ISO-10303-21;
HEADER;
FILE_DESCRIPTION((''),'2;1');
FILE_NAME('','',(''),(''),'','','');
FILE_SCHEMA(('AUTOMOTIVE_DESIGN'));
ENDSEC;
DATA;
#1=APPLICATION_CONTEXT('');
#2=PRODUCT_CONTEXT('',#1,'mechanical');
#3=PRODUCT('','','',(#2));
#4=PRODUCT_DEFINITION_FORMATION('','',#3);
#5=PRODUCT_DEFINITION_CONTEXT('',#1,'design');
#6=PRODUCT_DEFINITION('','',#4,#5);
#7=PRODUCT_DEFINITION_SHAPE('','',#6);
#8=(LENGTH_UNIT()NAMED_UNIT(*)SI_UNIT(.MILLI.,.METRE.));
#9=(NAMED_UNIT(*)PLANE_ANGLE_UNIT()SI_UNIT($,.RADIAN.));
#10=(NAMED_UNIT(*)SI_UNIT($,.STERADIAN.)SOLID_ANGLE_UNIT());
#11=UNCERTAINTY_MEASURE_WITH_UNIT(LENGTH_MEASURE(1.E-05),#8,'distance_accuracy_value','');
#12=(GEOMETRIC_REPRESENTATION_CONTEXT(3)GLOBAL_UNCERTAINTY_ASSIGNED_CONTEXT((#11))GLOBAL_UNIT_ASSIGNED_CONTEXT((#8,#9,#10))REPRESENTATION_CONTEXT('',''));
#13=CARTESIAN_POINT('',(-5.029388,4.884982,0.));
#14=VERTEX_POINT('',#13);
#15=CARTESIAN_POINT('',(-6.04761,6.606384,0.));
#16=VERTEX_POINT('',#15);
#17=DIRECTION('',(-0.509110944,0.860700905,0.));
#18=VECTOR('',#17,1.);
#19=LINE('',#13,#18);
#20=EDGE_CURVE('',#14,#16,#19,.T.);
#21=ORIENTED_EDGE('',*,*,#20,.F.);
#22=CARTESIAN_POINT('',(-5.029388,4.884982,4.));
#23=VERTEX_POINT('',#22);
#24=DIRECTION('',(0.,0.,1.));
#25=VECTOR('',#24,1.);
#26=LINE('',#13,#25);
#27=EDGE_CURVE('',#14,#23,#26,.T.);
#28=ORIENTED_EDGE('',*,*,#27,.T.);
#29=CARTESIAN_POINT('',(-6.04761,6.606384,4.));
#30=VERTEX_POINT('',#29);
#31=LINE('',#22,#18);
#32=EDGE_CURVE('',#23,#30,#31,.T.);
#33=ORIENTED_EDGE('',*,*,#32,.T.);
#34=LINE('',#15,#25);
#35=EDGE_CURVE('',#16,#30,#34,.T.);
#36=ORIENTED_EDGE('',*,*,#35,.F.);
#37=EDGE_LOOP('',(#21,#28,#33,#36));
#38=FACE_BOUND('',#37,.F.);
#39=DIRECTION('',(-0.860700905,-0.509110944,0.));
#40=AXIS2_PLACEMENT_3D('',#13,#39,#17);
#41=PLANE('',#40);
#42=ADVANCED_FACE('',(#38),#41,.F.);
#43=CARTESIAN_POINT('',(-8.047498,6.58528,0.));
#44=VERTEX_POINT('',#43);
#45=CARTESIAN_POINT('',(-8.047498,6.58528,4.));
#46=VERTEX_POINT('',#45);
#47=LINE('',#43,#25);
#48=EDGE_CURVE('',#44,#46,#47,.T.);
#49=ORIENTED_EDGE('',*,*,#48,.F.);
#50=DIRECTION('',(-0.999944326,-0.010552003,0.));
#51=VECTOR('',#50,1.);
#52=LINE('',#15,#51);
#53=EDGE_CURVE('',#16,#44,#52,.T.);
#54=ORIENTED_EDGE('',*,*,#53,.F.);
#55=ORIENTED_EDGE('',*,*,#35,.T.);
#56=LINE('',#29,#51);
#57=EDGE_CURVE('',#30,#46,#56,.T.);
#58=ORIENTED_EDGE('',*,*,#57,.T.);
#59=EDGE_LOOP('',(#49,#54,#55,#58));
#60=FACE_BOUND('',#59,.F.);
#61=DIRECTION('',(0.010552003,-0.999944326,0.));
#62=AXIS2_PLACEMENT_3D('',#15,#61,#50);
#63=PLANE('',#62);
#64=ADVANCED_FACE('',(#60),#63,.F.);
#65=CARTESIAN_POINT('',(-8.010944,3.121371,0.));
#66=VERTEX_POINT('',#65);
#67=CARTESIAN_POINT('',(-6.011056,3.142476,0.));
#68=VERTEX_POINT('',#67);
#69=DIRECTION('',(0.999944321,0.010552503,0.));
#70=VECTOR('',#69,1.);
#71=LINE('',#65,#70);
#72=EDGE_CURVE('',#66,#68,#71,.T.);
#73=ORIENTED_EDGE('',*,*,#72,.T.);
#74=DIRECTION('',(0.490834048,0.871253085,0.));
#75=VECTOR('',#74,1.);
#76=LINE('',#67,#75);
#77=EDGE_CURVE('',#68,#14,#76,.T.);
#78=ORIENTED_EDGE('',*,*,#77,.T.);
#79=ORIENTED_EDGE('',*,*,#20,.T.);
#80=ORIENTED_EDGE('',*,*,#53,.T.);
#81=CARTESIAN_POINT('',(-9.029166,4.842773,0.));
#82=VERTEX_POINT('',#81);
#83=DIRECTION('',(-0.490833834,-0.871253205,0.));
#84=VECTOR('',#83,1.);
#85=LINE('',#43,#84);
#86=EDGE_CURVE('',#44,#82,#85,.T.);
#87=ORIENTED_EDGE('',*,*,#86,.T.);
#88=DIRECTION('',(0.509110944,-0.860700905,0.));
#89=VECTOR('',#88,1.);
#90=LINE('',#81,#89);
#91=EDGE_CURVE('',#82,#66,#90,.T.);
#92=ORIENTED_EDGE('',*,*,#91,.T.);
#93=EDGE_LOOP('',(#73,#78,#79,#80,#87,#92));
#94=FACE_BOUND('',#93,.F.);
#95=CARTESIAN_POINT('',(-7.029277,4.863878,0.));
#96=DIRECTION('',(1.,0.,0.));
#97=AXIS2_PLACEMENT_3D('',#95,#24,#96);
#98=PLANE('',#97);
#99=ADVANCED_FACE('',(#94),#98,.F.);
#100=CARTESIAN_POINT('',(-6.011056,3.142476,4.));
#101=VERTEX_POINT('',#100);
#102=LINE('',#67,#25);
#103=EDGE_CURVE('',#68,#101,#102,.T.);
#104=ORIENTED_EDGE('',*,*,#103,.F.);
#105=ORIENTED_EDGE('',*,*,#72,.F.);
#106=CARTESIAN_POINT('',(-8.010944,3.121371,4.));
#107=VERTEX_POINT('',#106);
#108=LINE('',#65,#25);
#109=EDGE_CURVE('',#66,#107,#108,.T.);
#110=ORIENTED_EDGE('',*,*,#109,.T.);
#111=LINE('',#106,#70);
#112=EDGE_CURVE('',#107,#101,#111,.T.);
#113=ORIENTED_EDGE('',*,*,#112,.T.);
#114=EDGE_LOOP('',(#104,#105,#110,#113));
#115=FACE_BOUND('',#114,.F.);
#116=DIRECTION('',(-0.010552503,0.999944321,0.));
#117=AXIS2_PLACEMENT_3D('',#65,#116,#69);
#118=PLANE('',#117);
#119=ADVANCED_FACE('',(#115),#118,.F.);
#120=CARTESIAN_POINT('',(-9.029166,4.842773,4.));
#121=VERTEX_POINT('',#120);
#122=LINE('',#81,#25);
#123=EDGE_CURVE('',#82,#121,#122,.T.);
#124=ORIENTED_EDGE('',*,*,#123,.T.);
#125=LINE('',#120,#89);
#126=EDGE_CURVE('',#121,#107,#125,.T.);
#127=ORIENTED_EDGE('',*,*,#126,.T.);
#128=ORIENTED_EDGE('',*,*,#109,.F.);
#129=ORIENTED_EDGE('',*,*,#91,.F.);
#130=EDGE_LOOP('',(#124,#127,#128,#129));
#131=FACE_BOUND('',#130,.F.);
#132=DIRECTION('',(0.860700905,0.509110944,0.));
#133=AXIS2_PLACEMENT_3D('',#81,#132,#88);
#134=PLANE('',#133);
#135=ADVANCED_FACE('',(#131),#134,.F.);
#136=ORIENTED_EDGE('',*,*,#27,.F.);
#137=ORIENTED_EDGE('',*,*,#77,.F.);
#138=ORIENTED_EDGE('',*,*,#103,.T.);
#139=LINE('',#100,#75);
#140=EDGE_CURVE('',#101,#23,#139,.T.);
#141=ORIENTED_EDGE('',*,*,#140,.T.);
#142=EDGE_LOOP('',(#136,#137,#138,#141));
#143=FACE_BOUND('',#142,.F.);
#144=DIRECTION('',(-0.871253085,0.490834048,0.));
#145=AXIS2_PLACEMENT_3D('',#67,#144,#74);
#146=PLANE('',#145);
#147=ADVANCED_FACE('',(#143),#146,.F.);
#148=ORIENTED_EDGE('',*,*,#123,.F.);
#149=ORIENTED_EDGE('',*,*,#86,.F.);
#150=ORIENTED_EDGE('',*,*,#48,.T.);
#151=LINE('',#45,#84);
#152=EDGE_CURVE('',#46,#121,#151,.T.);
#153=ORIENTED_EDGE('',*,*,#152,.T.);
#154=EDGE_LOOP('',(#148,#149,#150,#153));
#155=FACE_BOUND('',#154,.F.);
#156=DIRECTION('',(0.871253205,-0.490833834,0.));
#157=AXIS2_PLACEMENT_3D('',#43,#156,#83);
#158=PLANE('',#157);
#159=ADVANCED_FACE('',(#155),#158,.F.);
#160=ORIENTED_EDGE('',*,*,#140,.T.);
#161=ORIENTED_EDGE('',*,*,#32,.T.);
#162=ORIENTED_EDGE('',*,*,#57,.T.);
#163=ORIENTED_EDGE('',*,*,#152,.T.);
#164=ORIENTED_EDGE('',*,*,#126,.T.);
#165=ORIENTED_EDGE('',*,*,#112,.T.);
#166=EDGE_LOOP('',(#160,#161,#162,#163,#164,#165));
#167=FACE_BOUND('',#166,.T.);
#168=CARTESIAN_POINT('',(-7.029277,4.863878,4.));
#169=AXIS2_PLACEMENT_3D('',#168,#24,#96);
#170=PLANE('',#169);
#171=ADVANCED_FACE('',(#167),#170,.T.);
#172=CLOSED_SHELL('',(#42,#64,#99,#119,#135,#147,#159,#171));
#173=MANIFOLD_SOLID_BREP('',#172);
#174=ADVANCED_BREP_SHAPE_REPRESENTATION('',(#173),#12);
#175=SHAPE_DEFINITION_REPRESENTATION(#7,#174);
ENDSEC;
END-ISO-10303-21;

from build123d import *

# Parameters (mm, degrees)
PAD_DEPTH = 4


with BuildPart() as part:
    # Sketch001 → Pad (new body)
    with BuildSketch(Plane.XY):
        Polygon((-6.011056, 3.142476), (-5.029388, 4.884982), (-6.04761, 6.606384), (-8.047498, 6.58528), (-9.029166, 4.842773), (-8.010944, 3.121371), align=None)
    extrude(amount=PAD_DEPTH)


solid = part.part
